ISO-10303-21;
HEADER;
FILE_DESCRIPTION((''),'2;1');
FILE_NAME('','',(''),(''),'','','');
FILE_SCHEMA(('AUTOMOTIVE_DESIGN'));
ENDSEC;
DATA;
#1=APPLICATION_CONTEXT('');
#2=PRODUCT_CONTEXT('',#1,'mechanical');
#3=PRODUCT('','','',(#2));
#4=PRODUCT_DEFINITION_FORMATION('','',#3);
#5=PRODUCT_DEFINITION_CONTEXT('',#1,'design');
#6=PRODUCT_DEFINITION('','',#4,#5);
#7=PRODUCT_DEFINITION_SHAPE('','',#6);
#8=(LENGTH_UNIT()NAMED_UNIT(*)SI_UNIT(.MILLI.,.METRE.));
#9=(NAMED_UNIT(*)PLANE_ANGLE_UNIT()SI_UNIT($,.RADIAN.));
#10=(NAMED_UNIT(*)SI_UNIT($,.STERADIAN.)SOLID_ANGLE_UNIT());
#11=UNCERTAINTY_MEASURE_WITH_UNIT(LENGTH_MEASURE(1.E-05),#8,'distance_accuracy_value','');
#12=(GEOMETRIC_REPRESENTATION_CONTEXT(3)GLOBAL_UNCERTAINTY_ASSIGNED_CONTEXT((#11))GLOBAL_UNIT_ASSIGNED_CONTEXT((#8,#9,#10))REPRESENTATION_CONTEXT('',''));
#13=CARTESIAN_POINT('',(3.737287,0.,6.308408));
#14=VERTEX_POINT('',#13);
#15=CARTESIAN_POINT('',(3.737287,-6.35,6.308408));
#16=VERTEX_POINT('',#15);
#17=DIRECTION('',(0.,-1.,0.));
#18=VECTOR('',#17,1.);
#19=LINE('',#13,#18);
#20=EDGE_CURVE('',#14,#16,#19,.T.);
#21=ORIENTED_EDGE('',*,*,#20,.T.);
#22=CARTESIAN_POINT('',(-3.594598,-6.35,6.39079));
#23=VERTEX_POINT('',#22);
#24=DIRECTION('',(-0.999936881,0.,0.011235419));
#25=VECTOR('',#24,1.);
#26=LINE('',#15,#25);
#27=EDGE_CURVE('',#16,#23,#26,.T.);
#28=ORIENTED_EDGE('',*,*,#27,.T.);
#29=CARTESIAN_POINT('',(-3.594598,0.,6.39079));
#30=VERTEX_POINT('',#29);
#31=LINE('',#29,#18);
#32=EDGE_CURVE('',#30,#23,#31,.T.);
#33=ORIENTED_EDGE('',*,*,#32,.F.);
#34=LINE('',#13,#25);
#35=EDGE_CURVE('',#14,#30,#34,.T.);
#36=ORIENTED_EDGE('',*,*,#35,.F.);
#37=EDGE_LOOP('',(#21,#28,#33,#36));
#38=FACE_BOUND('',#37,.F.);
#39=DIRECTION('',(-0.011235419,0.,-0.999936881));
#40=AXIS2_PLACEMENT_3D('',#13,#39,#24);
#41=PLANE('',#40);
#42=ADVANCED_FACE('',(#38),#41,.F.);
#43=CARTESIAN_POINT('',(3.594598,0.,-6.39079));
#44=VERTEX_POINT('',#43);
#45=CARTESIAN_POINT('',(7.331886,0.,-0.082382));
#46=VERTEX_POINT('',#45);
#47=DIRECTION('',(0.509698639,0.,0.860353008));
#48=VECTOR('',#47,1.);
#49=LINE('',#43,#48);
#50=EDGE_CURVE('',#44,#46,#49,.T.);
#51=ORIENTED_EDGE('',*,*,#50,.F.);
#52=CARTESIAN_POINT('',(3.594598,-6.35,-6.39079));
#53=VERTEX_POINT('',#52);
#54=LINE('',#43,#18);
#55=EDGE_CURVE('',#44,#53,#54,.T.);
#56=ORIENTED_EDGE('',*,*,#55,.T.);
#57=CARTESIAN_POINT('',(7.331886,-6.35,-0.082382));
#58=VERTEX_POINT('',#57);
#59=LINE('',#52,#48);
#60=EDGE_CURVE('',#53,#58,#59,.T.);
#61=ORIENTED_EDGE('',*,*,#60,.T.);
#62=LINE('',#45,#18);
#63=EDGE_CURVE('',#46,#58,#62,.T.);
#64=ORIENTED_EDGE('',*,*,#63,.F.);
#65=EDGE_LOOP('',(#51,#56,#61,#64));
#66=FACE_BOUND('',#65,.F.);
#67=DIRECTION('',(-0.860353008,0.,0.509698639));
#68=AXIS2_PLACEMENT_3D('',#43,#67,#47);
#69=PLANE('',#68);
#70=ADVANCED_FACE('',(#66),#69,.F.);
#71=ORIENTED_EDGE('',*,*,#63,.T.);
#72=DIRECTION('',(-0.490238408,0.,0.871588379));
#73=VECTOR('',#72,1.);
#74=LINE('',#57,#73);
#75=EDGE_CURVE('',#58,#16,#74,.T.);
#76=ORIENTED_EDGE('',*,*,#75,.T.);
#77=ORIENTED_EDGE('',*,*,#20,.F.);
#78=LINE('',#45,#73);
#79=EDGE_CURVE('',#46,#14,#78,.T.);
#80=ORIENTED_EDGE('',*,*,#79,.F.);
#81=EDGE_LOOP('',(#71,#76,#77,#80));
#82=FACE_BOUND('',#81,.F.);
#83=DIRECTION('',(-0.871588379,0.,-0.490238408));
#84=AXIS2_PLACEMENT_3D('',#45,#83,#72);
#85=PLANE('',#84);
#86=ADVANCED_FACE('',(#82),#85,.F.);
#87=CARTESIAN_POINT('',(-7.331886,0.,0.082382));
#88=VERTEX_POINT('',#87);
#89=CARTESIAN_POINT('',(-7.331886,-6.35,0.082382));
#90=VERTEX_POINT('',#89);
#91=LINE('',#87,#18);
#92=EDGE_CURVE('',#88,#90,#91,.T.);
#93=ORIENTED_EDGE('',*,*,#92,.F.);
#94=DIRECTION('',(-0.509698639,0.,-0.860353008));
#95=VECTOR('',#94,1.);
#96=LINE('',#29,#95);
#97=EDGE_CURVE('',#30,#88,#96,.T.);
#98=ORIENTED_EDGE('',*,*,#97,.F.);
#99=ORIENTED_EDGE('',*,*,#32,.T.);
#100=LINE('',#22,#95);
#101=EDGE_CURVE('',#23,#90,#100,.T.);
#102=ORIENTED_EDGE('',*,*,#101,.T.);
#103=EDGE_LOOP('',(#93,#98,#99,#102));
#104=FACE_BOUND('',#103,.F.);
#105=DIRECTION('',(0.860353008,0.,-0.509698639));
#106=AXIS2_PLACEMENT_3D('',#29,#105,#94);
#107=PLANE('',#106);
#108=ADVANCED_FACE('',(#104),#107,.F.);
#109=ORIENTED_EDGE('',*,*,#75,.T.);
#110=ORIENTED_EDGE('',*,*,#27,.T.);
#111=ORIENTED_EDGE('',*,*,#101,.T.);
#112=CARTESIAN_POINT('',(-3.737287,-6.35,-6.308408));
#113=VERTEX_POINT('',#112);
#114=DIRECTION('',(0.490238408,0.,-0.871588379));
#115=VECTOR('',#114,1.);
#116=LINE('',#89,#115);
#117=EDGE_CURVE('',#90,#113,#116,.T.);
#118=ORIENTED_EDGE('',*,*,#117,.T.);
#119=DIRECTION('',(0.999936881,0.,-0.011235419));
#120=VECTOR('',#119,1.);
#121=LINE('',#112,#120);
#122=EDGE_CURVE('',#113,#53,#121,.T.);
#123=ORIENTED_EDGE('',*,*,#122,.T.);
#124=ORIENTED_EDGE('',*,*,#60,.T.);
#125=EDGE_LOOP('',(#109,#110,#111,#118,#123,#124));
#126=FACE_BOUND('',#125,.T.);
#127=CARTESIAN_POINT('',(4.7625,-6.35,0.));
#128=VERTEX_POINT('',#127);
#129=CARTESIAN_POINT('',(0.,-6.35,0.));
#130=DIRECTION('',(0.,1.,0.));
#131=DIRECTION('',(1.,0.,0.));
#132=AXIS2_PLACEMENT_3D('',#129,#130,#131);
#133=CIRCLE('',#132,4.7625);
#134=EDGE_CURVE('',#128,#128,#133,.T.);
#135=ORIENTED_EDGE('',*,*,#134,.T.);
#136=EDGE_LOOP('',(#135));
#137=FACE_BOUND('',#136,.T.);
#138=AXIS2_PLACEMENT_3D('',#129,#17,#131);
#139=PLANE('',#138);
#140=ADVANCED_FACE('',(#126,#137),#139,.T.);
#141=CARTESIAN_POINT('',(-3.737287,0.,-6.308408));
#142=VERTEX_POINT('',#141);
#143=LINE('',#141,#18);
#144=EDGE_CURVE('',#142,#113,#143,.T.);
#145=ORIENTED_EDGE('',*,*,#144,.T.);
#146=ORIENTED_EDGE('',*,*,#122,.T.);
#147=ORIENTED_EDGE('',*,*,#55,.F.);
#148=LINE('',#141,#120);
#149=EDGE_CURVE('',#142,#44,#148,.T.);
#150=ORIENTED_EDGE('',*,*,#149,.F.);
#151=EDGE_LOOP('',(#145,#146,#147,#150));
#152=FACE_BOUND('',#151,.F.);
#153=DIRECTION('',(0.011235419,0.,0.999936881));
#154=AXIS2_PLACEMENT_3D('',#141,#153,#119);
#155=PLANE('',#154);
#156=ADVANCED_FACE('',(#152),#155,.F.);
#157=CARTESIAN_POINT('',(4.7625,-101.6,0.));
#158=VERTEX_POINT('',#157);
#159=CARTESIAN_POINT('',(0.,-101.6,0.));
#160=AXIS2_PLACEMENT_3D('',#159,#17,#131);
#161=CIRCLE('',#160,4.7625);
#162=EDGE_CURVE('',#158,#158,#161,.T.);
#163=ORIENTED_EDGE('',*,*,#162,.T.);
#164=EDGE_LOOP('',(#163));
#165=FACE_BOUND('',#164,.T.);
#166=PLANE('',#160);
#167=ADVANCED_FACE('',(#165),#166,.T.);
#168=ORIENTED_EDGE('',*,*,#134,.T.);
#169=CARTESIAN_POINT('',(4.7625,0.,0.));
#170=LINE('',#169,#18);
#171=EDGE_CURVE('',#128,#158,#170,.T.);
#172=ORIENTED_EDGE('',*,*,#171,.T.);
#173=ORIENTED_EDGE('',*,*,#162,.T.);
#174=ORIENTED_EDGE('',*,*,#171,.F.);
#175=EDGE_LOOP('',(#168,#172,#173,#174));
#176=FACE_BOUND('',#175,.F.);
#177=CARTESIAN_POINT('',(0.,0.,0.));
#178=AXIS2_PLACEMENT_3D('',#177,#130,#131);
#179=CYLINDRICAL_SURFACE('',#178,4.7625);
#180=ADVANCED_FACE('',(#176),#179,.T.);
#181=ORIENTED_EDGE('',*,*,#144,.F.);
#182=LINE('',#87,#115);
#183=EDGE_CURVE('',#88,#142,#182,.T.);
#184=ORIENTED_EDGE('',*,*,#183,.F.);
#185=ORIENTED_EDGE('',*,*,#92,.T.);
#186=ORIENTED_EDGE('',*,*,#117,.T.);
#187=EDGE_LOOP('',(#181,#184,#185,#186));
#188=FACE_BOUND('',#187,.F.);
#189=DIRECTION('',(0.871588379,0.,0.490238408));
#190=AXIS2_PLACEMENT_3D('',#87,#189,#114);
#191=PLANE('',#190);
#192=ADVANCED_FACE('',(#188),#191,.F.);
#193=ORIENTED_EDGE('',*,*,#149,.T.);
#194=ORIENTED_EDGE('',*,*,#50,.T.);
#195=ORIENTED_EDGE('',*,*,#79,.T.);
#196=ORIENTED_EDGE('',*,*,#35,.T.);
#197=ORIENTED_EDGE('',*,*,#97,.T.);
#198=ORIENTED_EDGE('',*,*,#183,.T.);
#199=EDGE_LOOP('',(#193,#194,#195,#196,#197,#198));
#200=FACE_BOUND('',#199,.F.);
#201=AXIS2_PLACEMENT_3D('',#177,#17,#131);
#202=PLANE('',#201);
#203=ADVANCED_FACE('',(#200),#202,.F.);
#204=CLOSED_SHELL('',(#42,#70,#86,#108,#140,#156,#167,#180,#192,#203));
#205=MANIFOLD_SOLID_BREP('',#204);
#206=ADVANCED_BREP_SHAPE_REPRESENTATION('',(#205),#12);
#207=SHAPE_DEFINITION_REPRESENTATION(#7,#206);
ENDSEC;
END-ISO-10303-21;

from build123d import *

# Parameters (mm, degrees)
F0_R     = 4.7625
F1_DEPTH = 101.6
F3_DEPTH = 6.35


with BuildPart() as f1:
    # F0 (on Front) → F1 (new body)
    with BuildSketch(Plane.XZ):
        Circle(F0_R)
    extrude(amount=F1_DEPTH)

    # F2 (on Front) → F3 (join)
    with BuildSketch(Plane.XZ):
        Polygon((7.331886, -0.082382), (3.737287, 6.308408), (-3.594598, 6.39079), (-7.331886, 0.082382), (-3.737287, -6.308408), (3.594598, -6.39079), align=None)
    extrude(amount=F3_DEPTH)


solid = f1.part
